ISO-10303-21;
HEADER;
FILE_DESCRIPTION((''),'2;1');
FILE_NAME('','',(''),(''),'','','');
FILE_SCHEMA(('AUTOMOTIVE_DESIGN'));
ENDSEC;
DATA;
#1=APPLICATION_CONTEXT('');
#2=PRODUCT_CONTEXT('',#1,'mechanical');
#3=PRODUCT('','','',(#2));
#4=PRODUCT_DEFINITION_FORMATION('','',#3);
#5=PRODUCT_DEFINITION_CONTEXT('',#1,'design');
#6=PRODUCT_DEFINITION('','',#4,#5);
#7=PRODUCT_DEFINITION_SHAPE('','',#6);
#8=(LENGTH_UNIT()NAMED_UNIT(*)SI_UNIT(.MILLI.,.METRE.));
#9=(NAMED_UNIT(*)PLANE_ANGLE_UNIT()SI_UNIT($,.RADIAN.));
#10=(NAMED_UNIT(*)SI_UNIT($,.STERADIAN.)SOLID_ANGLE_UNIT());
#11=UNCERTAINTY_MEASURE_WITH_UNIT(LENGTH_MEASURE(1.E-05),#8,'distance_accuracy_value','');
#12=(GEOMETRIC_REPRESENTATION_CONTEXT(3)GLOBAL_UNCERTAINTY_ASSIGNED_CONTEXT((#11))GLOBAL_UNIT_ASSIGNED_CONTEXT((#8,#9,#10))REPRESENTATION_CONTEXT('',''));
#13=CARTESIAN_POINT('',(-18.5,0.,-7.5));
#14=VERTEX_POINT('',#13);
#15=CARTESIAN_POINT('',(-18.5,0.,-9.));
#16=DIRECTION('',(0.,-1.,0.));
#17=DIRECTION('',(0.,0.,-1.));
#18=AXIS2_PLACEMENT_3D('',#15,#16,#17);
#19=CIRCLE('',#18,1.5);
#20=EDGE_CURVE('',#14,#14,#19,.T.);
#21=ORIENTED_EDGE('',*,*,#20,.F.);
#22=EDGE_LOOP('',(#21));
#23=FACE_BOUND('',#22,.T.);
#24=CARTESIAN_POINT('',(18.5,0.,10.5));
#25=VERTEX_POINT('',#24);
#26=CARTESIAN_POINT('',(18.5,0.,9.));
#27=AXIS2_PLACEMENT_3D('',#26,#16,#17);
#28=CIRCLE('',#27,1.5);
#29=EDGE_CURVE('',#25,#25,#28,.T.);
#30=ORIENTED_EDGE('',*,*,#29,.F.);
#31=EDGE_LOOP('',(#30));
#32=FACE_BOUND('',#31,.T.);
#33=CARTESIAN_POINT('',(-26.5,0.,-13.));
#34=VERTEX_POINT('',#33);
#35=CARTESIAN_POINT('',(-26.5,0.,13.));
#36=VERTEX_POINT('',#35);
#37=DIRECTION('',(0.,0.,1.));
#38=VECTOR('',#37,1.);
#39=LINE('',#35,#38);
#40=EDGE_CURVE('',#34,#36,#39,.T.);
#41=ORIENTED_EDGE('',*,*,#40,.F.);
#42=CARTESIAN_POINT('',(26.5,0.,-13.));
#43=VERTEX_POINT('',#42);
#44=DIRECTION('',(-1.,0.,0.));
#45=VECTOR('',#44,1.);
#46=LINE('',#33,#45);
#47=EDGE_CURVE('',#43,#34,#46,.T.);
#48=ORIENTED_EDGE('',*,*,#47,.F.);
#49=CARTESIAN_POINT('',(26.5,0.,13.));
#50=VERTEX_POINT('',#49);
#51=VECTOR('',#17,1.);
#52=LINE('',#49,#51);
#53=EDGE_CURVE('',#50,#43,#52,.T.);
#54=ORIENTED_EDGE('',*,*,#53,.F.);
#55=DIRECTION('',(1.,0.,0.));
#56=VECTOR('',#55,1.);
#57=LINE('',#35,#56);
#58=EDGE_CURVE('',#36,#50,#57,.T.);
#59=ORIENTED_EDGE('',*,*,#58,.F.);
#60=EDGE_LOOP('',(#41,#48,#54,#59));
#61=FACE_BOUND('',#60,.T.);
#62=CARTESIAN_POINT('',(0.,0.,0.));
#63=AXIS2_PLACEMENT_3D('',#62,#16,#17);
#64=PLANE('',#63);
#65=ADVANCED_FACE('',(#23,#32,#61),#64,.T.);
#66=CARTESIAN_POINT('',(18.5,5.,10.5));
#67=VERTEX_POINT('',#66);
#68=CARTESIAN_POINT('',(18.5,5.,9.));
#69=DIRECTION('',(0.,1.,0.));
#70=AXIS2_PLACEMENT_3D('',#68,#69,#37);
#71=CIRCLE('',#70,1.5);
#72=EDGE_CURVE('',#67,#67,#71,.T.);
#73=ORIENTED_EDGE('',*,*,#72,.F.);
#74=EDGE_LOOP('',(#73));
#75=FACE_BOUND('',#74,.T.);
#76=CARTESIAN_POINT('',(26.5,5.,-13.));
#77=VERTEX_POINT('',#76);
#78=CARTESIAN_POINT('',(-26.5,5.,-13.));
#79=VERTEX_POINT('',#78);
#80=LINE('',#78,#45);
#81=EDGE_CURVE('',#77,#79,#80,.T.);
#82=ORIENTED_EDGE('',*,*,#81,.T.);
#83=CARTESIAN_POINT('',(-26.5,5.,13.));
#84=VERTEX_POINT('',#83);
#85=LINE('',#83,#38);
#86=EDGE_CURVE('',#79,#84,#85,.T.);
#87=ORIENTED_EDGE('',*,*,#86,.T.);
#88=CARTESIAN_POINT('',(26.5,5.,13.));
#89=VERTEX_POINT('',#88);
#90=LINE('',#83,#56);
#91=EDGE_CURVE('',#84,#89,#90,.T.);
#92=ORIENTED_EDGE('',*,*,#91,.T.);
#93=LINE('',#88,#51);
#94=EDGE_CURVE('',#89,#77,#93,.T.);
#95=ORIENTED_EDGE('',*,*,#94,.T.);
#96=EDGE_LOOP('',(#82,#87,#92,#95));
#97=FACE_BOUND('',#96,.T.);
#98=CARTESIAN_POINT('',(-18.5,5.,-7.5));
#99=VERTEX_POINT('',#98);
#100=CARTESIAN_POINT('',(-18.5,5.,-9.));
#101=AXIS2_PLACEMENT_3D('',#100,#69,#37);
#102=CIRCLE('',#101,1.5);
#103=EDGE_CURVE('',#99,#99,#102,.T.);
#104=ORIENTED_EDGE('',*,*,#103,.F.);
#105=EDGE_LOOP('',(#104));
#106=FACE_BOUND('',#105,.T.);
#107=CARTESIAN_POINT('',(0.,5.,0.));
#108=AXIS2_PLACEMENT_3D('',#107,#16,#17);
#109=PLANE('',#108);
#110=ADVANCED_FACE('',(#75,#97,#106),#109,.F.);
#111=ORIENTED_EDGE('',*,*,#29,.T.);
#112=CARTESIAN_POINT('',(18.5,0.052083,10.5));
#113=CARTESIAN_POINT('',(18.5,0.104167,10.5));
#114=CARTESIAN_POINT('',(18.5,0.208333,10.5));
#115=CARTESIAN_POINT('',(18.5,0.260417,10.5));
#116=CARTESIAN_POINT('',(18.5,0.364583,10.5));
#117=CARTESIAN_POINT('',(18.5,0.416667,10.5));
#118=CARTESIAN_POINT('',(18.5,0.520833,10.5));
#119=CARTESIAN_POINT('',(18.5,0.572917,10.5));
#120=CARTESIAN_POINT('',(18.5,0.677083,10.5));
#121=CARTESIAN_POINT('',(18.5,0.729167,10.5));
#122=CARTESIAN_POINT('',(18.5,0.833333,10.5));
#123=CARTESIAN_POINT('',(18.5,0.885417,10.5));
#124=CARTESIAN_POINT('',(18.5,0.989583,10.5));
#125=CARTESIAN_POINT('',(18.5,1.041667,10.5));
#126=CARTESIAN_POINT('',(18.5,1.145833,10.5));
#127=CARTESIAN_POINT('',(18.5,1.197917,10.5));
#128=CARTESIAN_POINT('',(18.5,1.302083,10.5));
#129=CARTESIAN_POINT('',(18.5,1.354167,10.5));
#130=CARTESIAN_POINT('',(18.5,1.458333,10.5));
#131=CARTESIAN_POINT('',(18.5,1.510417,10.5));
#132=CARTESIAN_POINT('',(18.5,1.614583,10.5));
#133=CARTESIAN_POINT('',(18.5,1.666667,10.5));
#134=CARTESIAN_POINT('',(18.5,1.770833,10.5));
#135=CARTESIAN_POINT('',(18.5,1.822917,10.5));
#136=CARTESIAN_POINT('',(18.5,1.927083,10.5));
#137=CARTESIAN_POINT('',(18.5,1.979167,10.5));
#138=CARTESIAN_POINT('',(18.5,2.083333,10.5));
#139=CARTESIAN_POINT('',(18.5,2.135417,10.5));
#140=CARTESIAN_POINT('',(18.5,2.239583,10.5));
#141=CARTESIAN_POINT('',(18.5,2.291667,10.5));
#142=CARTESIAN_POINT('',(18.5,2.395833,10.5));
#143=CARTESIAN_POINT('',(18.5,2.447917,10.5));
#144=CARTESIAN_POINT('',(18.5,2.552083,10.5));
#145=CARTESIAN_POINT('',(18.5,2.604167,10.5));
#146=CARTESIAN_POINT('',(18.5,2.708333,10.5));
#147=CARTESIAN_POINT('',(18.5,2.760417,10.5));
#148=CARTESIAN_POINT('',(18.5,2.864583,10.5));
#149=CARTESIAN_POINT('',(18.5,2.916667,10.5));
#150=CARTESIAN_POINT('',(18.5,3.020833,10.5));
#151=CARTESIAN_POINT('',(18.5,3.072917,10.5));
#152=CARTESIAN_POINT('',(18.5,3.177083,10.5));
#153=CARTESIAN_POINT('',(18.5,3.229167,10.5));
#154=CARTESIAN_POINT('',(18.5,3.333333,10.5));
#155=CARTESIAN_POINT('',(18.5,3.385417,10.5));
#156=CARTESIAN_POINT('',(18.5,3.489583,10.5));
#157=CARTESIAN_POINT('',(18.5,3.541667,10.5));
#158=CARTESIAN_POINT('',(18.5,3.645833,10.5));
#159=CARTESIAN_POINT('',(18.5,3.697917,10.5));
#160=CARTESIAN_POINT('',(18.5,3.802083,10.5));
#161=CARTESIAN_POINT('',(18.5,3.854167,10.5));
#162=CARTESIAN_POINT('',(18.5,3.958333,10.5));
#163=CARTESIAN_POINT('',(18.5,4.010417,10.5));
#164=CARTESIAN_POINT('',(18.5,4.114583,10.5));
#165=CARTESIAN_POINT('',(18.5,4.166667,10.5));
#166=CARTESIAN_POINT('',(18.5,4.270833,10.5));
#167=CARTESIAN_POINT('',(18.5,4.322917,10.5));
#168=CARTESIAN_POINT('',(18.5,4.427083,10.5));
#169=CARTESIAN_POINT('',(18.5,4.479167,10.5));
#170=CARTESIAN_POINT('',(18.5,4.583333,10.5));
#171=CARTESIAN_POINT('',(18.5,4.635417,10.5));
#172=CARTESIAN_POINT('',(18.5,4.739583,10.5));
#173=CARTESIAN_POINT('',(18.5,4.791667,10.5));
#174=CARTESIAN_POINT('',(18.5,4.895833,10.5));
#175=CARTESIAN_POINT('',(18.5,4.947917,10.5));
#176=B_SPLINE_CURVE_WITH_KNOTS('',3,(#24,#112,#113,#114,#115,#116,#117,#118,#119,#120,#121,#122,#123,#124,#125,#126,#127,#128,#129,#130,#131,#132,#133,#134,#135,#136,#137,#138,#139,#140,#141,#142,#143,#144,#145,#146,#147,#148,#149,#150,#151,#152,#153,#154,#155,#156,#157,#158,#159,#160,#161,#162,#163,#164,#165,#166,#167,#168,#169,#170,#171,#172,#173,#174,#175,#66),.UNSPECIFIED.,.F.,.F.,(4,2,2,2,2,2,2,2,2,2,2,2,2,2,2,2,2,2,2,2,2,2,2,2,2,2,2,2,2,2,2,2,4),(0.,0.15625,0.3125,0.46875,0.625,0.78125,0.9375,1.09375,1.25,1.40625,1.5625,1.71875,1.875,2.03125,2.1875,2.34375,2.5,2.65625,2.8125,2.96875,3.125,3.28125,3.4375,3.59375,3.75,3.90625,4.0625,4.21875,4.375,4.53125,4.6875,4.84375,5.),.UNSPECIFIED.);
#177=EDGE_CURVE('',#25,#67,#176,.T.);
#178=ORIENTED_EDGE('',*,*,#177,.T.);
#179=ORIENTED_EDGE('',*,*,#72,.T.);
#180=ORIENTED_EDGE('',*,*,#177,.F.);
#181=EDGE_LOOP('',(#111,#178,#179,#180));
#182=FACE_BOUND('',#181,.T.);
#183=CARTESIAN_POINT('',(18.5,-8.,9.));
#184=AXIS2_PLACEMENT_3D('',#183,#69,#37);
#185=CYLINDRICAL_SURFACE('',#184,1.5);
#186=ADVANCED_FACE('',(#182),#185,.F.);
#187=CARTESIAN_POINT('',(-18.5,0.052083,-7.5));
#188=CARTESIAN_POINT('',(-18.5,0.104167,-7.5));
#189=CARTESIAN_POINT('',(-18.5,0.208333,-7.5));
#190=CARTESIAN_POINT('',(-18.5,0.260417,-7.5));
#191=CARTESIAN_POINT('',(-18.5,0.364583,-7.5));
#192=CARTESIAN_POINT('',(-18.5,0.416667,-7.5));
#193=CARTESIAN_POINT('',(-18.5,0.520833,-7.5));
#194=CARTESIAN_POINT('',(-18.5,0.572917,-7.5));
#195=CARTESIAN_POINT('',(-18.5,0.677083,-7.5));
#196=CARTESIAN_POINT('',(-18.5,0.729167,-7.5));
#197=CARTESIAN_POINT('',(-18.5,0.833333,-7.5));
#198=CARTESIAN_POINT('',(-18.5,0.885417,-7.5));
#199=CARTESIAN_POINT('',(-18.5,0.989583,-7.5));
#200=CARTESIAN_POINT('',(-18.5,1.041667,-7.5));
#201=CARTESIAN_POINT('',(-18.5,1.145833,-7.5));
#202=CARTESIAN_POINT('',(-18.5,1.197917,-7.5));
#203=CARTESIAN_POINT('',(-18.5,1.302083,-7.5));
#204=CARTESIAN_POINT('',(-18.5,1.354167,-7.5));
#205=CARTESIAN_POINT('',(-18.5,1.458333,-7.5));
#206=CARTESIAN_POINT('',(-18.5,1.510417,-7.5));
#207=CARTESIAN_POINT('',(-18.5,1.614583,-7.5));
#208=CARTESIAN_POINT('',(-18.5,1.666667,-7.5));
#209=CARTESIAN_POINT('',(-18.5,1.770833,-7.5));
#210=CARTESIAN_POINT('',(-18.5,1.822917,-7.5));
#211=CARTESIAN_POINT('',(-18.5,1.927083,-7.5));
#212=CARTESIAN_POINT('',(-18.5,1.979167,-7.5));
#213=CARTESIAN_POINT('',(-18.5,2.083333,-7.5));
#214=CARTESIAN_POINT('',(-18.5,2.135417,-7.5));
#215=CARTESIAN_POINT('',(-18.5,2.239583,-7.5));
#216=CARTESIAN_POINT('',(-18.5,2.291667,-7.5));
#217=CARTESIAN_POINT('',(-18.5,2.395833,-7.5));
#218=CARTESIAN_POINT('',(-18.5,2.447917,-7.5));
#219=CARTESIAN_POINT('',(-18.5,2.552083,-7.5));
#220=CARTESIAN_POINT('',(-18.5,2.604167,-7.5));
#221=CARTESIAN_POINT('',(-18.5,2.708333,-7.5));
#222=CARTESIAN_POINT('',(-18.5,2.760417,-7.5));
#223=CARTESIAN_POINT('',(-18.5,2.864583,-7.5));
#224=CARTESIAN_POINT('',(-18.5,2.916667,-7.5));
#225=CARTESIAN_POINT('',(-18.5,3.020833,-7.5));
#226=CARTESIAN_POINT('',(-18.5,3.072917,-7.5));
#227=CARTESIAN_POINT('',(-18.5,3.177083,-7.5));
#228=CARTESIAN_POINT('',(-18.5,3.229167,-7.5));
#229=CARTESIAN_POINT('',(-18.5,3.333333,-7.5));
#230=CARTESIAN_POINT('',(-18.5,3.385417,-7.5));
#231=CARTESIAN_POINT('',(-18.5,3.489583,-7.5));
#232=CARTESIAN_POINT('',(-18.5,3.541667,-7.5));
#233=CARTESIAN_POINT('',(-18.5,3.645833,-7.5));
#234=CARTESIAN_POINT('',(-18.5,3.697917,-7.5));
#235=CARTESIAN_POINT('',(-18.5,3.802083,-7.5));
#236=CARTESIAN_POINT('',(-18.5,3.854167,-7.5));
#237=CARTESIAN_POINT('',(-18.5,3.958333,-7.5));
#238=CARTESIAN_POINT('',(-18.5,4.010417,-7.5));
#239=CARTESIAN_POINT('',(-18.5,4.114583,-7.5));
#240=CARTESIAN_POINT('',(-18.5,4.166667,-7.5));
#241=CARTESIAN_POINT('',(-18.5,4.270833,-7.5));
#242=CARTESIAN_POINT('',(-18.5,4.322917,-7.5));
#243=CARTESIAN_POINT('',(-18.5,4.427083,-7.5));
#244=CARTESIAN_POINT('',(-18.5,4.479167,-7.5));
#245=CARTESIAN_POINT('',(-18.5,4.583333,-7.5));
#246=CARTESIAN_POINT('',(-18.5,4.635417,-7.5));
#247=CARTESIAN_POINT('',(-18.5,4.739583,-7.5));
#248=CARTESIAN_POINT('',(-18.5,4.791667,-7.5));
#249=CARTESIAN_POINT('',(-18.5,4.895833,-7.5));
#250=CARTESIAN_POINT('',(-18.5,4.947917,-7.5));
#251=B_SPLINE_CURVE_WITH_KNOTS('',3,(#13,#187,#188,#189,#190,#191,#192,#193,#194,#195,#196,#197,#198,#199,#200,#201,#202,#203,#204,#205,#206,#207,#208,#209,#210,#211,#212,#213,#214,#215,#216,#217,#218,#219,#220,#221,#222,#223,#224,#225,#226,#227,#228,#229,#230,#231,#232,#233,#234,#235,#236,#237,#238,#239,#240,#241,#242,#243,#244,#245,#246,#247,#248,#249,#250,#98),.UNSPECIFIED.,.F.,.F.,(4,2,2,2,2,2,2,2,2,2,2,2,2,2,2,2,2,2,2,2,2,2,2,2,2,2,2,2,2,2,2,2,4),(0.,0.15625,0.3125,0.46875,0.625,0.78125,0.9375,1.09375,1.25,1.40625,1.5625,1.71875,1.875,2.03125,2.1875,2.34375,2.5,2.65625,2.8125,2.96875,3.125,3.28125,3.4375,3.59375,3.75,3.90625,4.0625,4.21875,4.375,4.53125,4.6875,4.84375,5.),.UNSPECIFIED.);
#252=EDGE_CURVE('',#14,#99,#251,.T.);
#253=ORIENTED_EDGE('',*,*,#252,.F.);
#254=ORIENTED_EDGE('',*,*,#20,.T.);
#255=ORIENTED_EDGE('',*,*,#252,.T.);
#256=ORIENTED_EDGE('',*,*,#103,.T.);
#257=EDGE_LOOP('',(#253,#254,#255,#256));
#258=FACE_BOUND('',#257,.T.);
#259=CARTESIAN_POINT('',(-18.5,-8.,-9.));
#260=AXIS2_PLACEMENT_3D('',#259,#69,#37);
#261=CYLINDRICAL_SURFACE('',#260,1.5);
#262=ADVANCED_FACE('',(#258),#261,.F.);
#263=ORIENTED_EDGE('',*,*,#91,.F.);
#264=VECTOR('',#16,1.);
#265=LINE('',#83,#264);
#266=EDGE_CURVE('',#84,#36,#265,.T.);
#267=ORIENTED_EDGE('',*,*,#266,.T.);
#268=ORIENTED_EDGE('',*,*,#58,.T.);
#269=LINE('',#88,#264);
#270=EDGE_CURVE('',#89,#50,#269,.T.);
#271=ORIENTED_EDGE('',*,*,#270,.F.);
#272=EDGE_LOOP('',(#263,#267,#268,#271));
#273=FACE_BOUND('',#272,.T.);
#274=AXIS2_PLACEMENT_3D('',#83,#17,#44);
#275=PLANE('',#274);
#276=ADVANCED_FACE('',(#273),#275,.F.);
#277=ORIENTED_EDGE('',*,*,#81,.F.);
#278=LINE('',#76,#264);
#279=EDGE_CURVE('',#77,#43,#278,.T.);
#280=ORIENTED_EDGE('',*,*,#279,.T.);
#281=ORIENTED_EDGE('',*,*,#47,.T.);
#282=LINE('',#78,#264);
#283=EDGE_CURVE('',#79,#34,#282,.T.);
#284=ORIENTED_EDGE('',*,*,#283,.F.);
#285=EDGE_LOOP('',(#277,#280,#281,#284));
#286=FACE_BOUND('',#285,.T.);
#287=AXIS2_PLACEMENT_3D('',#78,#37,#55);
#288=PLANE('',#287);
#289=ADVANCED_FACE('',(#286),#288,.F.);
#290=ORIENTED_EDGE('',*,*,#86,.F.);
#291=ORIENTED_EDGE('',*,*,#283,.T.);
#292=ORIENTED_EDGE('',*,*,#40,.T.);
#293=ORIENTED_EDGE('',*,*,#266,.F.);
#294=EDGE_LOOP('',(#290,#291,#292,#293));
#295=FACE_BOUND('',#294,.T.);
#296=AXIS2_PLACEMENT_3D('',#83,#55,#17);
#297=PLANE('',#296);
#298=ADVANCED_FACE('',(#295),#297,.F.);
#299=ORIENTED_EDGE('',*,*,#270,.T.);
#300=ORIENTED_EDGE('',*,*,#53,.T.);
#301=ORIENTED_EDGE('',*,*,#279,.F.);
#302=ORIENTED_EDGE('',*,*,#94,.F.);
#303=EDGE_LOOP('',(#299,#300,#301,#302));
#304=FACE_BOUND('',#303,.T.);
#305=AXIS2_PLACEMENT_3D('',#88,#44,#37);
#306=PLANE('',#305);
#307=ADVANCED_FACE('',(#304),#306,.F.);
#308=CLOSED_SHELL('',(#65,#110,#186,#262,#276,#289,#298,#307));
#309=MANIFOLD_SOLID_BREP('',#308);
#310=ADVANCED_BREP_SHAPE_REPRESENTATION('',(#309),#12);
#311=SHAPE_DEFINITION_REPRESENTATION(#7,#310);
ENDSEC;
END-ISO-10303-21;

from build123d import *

# Parameters (mm, degrees)
SCHIZZO1_W                   = 53
SCHIZZO1_H                   = 26
ESTRUSIONE_ESTRUSIONE1_DEPTH = 5
SCHIZZO2_R                   = 1.5
TAGLIO_ESTRUSIONE1_DEPTH     = 13


with BuildPart() as part:
    # Schizzo1 → Estrusione-Estrusione1 (new body)
    with BuildSketch(Plane(origin=(0, 0, 0), x_dir=(1, 0, 0), z_dir=(0, 1, 0))):
        Rectangle(SCHIZZO1_W, SCHIZZO1_H)
    extrude(amount=ESTRUSIONE_ESTRUSIONE1_DEPTH)

    # Schizzo2 → Taglio-Estrusione1 (cut)
    with BuildSketch(Plane(origin=(0, 5, 0), x_dir=(1, 0, 0), z_dir=(0, 1, 0))):
        with Locations(Location((-18.5, 9, 0), (0, 0, 270))):
            Circle(SCHIZZO2_R)
        with Locations(Location((18.5, -9, 0), (0, 0, 270))):
            Circle(SCHIZZO2_R)
    extrude(amount=-TAGLIO_ESTRUSIONE1_DEPTH, mode=Mode.SUBTRACT)


solid = part.part
